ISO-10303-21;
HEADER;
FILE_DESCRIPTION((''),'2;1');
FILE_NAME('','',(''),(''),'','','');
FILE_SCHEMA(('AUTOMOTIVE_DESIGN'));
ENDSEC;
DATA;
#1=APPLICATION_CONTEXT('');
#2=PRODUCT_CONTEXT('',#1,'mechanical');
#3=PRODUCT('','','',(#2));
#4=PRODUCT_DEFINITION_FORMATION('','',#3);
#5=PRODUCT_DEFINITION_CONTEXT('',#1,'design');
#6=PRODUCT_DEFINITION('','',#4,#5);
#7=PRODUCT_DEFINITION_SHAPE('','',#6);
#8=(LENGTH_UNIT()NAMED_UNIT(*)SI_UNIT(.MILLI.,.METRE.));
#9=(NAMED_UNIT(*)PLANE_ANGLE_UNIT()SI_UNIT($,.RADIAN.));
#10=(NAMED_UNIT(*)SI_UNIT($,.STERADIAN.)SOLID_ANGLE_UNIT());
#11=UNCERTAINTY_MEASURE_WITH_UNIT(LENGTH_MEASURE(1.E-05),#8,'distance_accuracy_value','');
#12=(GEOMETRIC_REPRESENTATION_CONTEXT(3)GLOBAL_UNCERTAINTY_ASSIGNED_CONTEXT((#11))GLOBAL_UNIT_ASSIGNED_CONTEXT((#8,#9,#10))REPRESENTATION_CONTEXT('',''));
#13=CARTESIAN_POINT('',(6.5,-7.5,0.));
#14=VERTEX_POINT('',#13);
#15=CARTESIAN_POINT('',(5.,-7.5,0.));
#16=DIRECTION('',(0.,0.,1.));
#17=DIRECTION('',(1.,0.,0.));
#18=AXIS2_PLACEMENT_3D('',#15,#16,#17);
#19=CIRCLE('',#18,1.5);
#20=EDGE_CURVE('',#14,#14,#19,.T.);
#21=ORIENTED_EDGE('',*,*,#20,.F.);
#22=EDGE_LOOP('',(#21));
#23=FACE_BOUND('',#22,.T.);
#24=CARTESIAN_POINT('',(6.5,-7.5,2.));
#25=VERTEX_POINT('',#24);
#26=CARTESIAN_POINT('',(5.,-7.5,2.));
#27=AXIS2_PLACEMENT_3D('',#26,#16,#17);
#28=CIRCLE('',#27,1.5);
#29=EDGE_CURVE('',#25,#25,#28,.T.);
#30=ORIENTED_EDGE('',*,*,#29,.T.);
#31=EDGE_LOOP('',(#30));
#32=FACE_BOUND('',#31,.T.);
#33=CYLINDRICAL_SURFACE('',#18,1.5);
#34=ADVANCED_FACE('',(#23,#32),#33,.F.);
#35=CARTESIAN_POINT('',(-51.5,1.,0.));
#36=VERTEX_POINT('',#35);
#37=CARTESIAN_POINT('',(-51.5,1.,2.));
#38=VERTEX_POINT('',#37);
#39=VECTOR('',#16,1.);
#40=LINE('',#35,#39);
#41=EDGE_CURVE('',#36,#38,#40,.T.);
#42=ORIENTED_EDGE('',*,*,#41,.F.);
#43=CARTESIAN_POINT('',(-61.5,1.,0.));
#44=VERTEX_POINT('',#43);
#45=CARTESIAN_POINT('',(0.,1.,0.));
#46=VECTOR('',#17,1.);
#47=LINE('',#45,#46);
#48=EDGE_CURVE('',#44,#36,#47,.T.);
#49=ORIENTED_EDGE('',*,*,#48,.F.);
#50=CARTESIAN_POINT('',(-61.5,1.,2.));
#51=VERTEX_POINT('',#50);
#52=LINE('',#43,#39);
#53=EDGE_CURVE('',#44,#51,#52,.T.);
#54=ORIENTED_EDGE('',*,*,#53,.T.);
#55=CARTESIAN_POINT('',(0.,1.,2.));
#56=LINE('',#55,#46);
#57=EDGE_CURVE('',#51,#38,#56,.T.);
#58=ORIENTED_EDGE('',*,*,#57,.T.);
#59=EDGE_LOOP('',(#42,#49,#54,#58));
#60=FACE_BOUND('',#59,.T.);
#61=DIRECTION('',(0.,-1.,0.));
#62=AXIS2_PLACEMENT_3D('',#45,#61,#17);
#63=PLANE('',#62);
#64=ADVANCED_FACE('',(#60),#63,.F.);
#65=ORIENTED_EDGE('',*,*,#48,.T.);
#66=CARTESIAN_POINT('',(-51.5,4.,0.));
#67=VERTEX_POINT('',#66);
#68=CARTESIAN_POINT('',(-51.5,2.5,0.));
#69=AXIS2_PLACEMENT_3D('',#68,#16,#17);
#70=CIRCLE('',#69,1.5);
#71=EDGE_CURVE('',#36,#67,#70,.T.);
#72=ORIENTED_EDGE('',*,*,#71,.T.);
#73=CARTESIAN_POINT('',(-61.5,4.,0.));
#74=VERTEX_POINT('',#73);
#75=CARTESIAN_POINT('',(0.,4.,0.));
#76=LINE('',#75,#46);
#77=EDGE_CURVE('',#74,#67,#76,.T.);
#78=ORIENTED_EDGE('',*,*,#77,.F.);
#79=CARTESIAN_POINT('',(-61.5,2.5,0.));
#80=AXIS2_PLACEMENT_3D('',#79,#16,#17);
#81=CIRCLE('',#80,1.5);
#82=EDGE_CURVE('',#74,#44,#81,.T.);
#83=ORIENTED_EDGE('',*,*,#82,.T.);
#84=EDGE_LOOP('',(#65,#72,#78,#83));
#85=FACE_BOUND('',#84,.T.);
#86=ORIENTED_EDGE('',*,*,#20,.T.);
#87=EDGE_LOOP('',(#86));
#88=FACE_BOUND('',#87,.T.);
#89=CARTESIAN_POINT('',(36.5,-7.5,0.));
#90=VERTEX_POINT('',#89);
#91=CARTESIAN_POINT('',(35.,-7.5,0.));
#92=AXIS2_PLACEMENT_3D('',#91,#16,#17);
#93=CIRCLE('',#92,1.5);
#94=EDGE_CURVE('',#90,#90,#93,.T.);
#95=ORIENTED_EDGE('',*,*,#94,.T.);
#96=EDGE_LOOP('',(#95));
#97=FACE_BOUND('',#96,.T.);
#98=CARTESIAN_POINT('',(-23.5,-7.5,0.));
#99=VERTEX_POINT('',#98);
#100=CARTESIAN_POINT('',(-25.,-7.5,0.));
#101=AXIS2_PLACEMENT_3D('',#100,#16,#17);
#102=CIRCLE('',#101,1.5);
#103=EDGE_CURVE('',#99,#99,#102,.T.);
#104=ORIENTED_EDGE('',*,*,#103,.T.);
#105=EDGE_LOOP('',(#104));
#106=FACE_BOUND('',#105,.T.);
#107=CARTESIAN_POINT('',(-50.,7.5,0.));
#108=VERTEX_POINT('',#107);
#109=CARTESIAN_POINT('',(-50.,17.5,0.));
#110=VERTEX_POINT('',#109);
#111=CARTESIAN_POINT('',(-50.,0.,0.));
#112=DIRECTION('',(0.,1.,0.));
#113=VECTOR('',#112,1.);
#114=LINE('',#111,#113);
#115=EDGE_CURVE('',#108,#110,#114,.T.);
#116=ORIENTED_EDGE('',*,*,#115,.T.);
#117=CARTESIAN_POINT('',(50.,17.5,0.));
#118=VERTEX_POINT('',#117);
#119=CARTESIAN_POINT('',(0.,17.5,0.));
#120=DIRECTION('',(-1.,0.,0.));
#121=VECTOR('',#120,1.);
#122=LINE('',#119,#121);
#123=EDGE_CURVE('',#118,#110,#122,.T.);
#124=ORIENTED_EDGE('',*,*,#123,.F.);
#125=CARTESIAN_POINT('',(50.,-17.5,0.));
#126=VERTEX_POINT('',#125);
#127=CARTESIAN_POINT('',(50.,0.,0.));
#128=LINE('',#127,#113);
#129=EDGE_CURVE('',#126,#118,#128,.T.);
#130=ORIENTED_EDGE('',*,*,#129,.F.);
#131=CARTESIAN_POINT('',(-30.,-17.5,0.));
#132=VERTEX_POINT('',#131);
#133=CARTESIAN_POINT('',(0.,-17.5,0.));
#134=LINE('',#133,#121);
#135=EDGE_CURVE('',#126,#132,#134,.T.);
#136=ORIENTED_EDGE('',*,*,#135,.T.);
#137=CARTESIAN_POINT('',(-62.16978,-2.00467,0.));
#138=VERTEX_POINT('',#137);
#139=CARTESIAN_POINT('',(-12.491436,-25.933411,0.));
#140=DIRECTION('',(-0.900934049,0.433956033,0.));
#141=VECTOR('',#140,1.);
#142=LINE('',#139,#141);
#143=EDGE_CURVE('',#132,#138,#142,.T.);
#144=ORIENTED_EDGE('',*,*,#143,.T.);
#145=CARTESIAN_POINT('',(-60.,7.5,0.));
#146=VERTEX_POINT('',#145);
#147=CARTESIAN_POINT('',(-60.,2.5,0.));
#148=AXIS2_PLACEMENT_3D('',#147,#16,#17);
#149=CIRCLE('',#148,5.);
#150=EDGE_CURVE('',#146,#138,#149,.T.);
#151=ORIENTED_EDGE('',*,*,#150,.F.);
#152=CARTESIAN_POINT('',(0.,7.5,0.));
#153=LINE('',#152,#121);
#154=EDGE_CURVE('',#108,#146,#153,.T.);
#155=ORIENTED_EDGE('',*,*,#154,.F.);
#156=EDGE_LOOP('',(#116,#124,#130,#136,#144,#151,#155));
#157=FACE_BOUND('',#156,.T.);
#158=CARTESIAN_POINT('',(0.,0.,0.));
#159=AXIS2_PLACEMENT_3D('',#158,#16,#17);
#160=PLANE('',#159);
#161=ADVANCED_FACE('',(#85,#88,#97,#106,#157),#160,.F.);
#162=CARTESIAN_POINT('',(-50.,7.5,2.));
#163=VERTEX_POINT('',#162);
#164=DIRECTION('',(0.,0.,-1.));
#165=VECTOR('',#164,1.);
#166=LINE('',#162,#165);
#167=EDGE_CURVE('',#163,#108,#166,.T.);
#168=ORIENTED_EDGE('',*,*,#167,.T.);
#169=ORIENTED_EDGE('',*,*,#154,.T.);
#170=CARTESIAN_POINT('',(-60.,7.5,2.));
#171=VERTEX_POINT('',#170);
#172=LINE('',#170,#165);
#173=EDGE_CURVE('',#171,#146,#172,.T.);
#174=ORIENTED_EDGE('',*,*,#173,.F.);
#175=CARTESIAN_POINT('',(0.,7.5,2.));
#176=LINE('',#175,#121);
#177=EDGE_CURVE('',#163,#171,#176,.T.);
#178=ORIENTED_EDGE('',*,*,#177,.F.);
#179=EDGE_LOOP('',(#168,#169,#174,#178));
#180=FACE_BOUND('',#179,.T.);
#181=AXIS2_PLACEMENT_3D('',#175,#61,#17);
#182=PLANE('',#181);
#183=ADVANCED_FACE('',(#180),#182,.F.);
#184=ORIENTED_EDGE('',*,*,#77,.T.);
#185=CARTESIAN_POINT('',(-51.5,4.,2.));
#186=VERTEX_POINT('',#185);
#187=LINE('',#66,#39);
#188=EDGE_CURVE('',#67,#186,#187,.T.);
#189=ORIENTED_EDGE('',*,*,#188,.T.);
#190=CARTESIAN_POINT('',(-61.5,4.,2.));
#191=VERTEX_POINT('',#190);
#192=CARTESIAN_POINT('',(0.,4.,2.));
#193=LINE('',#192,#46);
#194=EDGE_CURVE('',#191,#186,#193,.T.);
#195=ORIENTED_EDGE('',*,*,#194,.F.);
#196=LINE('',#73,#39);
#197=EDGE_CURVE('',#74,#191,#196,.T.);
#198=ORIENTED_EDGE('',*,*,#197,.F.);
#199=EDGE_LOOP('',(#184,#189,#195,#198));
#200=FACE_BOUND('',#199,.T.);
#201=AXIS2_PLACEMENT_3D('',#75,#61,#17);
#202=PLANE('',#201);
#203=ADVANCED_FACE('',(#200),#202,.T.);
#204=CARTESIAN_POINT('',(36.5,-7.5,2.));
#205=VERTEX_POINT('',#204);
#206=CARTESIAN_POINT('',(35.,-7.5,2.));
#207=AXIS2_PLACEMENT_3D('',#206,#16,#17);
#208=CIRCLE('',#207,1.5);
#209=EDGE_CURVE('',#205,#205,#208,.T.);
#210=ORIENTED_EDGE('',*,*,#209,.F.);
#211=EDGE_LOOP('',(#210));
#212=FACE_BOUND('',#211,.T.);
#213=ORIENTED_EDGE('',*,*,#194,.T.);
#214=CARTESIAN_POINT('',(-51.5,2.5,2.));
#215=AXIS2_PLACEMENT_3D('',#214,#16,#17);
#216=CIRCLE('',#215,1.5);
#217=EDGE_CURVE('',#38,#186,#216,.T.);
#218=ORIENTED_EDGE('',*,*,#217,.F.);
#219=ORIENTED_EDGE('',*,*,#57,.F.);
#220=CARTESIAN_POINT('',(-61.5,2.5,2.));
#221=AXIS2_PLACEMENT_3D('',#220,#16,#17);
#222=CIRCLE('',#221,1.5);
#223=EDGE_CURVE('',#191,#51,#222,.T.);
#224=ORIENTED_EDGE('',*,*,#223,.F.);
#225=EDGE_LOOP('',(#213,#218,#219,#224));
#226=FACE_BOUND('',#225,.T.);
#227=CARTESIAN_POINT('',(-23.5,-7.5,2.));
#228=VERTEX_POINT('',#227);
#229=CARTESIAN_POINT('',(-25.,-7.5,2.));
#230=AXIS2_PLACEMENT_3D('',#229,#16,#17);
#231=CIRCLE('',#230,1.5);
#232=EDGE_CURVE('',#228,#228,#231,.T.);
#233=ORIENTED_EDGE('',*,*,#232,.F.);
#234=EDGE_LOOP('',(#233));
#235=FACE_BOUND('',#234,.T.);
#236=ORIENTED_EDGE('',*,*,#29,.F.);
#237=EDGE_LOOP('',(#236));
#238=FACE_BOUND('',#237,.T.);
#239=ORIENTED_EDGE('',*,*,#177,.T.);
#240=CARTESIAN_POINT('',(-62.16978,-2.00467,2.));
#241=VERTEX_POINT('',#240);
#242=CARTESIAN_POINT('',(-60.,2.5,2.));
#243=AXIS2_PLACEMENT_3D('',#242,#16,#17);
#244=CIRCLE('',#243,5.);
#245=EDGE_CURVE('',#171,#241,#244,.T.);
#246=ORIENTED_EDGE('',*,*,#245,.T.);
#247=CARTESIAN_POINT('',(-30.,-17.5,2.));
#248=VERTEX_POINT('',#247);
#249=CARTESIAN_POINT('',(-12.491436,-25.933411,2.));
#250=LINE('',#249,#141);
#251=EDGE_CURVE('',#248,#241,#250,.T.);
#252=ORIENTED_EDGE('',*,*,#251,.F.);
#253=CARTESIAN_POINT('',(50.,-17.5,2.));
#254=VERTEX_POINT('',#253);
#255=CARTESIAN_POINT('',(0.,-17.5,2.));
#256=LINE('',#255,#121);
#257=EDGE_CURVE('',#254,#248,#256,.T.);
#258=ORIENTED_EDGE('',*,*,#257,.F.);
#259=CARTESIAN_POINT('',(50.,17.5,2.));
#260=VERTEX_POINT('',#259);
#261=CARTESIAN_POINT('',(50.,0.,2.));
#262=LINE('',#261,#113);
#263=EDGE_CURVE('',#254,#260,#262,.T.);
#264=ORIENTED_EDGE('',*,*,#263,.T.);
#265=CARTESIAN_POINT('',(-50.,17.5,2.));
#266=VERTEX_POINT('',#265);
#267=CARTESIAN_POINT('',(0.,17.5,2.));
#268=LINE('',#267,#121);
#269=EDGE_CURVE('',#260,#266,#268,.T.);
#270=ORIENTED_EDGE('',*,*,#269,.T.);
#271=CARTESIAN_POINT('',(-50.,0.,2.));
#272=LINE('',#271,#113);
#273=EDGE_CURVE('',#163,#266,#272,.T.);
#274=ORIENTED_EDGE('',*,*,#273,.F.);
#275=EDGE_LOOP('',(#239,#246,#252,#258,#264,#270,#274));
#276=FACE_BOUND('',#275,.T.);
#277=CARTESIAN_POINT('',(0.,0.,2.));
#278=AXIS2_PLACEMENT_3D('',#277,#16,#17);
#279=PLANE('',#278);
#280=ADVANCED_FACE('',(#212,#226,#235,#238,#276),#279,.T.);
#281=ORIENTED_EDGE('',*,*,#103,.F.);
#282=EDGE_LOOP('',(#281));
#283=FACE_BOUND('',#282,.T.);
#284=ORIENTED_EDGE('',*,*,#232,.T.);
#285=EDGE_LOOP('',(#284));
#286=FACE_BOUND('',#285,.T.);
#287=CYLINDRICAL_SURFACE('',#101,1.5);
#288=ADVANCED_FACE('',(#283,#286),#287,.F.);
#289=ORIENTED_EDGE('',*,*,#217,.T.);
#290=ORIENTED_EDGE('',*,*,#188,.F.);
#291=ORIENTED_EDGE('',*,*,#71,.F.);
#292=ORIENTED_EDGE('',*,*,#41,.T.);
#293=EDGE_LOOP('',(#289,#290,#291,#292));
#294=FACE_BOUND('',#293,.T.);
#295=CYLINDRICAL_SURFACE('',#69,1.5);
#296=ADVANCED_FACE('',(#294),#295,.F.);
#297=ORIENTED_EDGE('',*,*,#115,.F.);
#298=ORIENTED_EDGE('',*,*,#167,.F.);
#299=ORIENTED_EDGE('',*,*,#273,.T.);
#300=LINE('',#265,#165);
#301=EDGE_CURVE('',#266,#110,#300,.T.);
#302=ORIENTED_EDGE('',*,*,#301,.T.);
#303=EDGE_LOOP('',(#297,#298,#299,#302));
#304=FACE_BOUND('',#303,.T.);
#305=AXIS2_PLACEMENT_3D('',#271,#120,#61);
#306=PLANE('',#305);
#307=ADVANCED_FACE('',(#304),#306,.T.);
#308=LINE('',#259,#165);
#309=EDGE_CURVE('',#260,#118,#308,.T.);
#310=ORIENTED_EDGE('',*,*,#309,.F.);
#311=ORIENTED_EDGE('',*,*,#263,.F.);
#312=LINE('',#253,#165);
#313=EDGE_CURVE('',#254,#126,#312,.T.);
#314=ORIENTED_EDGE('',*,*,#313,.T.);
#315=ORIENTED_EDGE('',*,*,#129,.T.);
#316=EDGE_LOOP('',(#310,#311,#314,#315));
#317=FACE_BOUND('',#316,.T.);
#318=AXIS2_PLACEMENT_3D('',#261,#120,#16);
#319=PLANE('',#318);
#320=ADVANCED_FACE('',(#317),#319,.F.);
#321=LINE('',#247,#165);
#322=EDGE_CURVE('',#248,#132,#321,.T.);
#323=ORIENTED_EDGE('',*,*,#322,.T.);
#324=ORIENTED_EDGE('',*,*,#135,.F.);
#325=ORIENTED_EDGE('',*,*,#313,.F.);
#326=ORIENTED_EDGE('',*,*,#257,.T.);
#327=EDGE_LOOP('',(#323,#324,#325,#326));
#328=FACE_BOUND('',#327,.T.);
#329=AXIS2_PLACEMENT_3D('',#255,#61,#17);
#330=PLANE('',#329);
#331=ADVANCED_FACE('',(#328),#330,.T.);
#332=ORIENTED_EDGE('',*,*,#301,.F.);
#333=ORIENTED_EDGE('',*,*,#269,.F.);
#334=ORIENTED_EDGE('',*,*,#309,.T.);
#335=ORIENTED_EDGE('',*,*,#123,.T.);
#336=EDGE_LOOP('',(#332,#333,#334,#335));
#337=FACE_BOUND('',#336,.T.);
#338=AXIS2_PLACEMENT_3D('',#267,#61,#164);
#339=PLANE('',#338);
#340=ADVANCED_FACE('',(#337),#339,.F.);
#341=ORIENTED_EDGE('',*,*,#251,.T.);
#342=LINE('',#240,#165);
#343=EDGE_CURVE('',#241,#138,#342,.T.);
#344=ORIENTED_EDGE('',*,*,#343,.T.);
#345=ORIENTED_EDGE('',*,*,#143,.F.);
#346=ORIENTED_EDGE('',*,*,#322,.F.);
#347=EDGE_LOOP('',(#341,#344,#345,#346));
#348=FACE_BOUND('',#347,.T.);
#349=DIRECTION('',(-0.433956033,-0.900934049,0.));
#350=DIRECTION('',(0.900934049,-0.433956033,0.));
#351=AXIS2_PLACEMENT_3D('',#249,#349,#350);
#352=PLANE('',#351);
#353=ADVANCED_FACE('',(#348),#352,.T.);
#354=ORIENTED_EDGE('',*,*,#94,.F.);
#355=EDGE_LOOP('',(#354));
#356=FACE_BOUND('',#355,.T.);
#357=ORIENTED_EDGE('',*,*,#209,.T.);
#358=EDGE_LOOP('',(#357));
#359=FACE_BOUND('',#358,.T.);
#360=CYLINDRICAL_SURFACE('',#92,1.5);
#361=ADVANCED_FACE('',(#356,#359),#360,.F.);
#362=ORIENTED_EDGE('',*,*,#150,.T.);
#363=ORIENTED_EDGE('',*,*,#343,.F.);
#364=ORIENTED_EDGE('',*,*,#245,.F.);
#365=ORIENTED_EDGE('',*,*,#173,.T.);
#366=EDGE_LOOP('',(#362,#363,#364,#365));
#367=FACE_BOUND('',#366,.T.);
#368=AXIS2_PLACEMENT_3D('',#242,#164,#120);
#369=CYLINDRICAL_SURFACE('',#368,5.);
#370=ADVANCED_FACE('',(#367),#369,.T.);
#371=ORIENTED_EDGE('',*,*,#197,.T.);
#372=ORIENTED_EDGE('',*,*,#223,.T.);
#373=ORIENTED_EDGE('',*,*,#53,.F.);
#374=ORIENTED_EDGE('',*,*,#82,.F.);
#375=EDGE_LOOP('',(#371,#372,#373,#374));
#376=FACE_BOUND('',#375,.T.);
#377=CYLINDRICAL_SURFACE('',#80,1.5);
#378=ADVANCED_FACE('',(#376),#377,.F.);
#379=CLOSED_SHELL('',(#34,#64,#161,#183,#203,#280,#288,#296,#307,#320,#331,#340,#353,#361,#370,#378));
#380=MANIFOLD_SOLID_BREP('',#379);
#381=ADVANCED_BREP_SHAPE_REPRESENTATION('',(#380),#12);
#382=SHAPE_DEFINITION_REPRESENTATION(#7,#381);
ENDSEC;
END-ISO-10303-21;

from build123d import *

# Parameters (mm, degrees)
AUFSATZ_LINEAR_AUSTRAGEN1_DEPTH = 2
SKIZZE2_R                       = 1.5
SCHNITT_LINEAR_AUSTRAGEN1_DEPTH = 68.344264789


with BuildPart() as part:
    # Skizze1 → Aufsatz-Linear austragen1 (new body)
    with BuildSketch(Plane.XY):
        Polygon((-50, 17.5), (-50, 7.5), (-50, -2.5), (-50, -7.866530531), (-30, -17.5), (50, -17.5), (50, 17.5), align=None)
        with BuildLine():
            Line((-50, -2.5), (-50, 7.5))
            Line((-50, 7.5), (-60, 7.5))
            ThreePointArc((-60, 7.5), (-56.464466094, 6.035533906), (-55, 2.5))
            ThreePointArc((-55, 2.5), (-56.464466094, -1.035533906), (-60, -2.5))
            Line((-60, -2.5), (-50, -2.5))
        make_face()
        with BuildLine():
            ThreePointArc((-55, 2.5), (-56.464466094, 6.035533906), (-60, 7.5))
            Line((-60, 7.5), (-60, -2.5))
            ThreePointArc((-60, -2.5), (-56.464466094, -1.035533906), (-55, 2.5))
        make_face()
        with BuildLine():
            Line((-60, -2.5), (-60, 7.5))
            ThreePointArc((-60, 7.5), (-64.874594918, 3.612800243), (-62.169780165, -2.004670247))
            ThreePointArc((-62.169780165, -2.004670247), (-61.112800243, -2.374594918), (-60, -2.5))
        make_face()
        with BuildLine():
            Line((-50, -7.866530531), (-50, -2.5))
            Line((-50, -2.5), (-60, -2.5))
            ThreePointArc((-60, -2.5), (-61.112800243, -2.374594918), (-62.169780165, -2.004670247))
            Line((-62.169780165, -2.004670247), (-50, -7.866530531))
        make_face()
    extrude(amount=AUFSATZ_LINEAR_AUSTRAGEN1_DEPTH)

    # Skizze2 → Schnitt-Linear austragen1 (cut, through all)
    with BuildSketch(Plane.XY.offset(2)):
        with Locations((-51.5, 2.5)):
            Circle(SKIZZE2_R)
        with BuildLine():
            Line((-51.5, 4), (-61.5, 4))
            ThreePointArc((-61.5, 4), (-60.439339828, 3.560660172), (-60, 2.5))
            ThreePointArc((-60, 2.5), (-60.439339828, 1.439339828), (-61.5, 1))
            Line((-61.5, 1), (-51.5, 1))
            ThreePointArc((-51.5, 1), (-53, 2.5), (-51.5, 4))
        make_face()
        with Locations((-61.5, 2.5)):
            Circle(SKIZZE2_R)
        with Locations((-25, -7.5)):
            Circle(SKIZZE2_R)
        with Locations((35, -7.5)):
            Circle(SKIZZE2_R)
        with Locations((5, -7.5)):
            Circle(SKIZZE2_R)
    extrude(amount=-SCHNITT_LINEAR_AUSTRAGEN1_DEPTH, mode=Mode.SUBTRACT)


solid = part.part
